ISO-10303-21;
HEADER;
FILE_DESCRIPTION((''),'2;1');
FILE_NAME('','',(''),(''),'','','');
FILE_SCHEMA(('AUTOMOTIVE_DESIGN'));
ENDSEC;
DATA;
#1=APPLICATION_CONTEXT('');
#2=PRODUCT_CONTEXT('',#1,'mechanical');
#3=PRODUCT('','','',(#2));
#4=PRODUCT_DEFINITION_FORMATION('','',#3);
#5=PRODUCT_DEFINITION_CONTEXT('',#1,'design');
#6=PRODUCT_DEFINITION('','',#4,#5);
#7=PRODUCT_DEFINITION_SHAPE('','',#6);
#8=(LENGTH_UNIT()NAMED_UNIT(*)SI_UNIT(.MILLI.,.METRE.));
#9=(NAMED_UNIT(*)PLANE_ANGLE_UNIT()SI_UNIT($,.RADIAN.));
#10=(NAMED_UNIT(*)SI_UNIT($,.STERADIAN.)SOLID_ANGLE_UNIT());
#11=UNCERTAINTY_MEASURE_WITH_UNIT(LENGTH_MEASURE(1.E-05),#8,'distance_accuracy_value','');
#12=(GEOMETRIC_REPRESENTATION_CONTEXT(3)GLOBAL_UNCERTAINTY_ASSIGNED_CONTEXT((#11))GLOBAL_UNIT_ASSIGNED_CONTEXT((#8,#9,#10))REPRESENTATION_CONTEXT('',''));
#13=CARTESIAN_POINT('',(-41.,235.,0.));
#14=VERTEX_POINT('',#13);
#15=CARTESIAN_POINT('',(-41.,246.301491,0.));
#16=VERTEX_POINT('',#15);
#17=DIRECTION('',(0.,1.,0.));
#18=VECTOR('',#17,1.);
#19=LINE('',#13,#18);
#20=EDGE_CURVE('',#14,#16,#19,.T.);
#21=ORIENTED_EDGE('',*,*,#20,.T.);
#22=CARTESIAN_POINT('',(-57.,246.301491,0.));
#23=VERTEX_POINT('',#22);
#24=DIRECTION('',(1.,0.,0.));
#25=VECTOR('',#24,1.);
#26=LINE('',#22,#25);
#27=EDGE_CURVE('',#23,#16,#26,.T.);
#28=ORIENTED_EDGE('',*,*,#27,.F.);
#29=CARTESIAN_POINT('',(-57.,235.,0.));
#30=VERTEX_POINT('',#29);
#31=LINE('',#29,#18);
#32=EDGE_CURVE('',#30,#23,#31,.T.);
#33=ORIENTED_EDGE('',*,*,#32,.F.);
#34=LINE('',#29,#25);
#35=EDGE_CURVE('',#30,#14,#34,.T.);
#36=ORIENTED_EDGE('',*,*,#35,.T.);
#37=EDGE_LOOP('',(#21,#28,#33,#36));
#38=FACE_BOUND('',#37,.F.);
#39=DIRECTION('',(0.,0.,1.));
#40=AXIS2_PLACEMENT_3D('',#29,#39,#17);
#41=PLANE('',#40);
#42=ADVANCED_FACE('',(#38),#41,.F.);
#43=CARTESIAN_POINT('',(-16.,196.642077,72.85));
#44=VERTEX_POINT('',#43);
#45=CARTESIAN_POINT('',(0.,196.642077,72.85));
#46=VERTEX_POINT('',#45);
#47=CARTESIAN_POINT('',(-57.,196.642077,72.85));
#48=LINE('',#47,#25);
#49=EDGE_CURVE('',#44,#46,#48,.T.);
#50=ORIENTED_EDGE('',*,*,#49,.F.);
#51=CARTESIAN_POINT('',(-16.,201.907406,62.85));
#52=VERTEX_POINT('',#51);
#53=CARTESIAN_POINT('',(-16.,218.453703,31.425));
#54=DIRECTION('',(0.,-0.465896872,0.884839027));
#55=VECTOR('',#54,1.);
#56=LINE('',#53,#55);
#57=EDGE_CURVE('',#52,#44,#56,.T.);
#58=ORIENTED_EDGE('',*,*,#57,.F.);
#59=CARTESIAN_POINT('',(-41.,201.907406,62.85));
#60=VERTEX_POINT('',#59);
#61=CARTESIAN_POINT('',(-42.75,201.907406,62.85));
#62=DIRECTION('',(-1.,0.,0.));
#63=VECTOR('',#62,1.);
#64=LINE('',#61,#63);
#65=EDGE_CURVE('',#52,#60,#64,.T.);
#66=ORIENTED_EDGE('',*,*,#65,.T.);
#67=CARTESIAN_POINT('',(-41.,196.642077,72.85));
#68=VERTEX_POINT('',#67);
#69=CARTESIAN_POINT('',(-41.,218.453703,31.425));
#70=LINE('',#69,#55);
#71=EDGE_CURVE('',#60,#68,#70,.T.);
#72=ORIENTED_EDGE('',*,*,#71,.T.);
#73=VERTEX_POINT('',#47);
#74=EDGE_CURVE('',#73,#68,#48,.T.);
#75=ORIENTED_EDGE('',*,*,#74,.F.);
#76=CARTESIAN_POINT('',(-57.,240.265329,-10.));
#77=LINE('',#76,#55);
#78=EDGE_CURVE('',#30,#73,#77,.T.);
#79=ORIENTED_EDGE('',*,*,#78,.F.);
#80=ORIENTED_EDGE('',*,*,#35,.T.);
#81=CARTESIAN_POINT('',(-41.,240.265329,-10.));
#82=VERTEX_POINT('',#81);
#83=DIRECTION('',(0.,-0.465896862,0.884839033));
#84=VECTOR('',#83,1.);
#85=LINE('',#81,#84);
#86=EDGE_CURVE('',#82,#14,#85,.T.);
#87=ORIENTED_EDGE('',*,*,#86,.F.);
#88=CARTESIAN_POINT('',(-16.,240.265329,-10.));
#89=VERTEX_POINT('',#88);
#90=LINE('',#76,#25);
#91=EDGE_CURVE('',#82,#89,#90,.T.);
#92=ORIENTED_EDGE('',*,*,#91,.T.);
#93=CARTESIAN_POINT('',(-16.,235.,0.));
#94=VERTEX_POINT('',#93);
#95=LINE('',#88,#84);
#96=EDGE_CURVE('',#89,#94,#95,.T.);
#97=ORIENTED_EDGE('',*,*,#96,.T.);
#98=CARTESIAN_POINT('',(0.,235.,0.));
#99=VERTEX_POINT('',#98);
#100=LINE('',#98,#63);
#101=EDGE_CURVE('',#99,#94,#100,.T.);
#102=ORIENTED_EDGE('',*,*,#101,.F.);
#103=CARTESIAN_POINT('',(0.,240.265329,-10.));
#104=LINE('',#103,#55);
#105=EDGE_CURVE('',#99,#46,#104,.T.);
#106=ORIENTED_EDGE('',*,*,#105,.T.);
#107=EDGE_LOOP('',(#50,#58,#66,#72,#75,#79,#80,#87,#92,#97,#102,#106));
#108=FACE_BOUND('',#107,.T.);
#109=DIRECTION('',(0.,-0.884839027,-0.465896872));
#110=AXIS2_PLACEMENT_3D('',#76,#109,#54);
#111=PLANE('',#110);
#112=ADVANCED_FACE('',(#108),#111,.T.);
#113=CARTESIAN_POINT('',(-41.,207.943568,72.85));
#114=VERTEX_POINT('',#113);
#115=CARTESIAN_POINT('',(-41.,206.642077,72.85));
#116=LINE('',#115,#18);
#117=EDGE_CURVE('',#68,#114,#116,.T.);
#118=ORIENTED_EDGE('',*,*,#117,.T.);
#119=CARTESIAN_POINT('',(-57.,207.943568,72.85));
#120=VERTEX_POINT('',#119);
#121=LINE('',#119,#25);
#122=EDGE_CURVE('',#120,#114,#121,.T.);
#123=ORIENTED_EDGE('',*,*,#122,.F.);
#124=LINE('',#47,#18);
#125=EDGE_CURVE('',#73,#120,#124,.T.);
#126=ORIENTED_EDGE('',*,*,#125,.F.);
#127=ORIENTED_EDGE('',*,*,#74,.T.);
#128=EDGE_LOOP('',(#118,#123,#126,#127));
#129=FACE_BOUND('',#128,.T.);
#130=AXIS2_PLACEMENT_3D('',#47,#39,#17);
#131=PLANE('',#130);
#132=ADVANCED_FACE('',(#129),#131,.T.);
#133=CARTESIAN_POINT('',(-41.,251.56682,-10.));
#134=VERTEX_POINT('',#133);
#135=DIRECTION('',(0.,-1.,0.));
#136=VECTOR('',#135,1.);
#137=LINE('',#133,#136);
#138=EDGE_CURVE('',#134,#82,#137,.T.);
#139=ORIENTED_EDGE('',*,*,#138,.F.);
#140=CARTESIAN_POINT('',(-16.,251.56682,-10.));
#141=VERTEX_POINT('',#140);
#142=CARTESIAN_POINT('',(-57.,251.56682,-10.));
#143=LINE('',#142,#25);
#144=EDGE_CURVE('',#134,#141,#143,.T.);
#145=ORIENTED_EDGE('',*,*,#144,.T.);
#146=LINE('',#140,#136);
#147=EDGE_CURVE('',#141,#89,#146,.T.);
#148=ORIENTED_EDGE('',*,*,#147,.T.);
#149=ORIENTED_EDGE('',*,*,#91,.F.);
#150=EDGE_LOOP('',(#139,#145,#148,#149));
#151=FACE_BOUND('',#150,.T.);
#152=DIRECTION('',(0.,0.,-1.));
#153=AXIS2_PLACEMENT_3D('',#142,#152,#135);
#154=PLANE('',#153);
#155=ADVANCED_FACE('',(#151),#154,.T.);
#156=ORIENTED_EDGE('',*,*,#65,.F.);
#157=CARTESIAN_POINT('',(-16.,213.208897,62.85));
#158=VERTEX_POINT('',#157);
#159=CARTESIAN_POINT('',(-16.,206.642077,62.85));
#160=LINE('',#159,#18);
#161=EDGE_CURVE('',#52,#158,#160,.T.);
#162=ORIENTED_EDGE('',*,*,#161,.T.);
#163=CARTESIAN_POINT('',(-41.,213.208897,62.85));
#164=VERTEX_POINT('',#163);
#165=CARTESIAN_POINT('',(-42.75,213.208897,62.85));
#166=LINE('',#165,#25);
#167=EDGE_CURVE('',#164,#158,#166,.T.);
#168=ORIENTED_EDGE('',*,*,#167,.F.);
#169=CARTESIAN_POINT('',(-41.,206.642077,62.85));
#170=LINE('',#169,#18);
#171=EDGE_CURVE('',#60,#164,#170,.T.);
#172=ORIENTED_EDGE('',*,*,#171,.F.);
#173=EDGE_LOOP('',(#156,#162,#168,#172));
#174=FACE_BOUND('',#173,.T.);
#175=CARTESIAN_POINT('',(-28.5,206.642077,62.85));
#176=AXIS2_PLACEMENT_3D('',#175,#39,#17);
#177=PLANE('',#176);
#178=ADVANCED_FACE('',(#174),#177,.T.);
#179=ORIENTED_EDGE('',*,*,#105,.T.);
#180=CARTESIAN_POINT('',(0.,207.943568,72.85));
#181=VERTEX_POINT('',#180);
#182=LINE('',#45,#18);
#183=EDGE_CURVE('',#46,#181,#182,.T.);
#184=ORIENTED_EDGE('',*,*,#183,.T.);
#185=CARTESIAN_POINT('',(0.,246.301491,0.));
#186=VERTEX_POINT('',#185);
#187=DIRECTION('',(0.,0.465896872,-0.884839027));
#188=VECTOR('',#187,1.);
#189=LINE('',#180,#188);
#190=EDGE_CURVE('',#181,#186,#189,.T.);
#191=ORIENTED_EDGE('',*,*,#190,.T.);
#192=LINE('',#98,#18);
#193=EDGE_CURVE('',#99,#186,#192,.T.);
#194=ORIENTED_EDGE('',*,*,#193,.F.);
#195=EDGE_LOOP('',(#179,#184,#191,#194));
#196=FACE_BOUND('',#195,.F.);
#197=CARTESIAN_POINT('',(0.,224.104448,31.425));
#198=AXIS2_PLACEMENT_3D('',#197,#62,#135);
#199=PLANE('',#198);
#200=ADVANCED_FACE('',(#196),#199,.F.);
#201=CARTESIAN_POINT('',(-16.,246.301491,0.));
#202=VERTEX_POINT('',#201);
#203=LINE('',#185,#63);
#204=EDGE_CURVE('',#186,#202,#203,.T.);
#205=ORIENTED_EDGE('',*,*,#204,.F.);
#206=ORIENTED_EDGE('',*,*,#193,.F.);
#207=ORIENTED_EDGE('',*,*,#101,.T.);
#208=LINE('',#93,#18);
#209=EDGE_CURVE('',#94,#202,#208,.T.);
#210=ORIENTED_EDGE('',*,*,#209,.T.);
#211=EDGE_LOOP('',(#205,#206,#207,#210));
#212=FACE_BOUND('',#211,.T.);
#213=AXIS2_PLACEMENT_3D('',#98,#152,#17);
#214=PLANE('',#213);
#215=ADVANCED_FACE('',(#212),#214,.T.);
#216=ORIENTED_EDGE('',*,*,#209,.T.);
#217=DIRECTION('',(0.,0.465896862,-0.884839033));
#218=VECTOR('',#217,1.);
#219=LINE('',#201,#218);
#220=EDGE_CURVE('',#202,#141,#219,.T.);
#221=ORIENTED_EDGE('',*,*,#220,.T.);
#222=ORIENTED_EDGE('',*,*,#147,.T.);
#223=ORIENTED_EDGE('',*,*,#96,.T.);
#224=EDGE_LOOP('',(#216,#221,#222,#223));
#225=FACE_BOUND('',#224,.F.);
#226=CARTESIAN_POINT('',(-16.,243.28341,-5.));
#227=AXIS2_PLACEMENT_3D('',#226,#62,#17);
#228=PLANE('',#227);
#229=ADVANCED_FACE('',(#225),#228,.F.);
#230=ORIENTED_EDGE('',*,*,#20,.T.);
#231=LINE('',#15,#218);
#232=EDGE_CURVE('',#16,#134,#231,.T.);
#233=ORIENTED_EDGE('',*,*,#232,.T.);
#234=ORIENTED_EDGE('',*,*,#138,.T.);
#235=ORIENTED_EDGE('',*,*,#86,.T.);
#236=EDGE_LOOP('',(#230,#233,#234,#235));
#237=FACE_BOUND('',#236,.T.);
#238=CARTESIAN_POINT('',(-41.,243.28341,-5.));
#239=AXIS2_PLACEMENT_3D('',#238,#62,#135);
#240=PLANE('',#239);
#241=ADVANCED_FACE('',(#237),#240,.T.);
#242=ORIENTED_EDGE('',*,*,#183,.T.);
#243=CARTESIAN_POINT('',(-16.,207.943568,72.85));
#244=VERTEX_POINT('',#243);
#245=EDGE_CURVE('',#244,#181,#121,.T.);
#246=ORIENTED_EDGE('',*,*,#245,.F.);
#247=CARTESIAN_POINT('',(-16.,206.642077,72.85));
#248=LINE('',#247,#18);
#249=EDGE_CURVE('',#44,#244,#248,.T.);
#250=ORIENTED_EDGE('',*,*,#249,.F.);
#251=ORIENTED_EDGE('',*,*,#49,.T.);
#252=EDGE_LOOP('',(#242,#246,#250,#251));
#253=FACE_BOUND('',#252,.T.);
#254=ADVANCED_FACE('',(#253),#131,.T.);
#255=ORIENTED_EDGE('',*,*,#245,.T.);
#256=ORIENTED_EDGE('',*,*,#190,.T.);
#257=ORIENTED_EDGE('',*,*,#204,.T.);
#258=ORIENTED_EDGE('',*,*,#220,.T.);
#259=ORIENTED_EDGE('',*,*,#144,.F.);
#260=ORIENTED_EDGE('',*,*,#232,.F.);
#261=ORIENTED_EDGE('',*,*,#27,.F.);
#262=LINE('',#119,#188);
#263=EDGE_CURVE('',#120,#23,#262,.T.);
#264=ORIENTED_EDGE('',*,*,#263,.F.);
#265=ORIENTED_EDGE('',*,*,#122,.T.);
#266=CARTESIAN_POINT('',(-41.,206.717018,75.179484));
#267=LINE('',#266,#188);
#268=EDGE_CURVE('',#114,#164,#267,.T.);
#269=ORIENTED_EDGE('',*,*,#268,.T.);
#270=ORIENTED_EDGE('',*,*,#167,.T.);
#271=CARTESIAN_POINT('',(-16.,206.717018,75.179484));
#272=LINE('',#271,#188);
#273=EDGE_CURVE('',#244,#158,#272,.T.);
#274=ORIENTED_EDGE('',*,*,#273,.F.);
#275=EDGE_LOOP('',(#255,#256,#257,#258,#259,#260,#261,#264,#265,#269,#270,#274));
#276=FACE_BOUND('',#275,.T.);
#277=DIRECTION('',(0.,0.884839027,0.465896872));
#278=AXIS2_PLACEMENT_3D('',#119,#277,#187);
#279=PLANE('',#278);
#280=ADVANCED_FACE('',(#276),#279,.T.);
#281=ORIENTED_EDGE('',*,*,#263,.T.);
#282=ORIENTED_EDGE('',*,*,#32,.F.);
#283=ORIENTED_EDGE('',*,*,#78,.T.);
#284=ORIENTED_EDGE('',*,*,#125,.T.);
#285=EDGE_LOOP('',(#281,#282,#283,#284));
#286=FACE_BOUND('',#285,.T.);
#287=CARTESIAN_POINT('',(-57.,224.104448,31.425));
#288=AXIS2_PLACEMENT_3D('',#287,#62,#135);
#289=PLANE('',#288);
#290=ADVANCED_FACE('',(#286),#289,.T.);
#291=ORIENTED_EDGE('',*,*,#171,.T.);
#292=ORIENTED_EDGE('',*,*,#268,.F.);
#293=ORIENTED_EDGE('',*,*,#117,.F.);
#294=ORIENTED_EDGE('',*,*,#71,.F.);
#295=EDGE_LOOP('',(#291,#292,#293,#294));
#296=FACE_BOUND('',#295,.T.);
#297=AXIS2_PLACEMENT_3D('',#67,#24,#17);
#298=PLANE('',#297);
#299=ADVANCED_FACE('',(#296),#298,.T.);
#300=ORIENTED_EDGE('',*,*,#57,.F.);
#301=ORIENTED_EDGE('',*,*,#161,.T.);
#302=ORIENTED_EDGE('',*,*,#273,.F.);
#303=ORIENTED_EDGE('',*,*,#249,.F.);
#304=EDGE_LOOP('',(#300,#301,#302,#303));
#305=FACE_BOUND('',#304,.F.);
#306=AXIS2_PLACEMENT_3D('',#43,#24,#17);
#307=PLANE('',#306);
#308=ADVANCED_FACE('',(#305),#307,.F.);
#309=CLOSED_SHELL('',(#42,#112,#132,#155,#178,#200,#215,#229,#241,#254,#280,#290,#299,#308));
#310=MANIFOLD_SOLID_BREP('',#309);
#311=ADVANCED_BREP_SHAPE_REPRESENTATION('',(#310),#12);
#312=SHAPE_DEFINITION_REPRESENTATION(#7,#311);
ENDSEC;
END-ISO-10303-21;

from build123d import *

# Parameters (mm, degrees)
PAD050_DEPTH            = 57
POCKET044_DEPTH         = 16
POCKET046_DEPTH         = 16
SKETCH090_W             = 20
SKETCH090_H             = 25
POCKET045_DEPTH         = 10
BODY022_PLACEMENT_ANGLE = 180


with BuildPart() as part:
    # Sketch092 → Pad050 (new body)
    with BuildSketch(Plane.YZ):
        Polygon((54.734671, -10), (98.357923, 72.85), (87.056432, 72.85), (43.43318, -10), align=None)
    extrude(amount=-PAD050_DEPTH)

    # Sketch089 (on Face5 of Pad050) → Pocket044 (cut)
    with BuildSketch(Plane.YZ):
        Polygon((43.43318, -10), (54.734671, -10), (60, 0), (48.698509, 0), align=None)
    extrude(amount=-POCKET044_DEPTH, mode=Mode.SUBTRACT)

    # Sketch094 (on Face6 of Pocket044) → Pocket046 (cut)
    with BuildSketch(Plane(origin=(-57, 0, 0), x_dir=(0, 1, 0), z_dir=(-1, 0, 0))):
        Polygon((43.43318, 10), (54.734671, 10), (60, 0), (48.698509, 0), align=None)
    extrude(amount=-POCKET046_DEPTH, mode=Mode.SUBTRACT)

    # Sketch090 (on Face5 of Pocket046) → Pocket045 (cut)
    with BuildSketch(Plane(origin=(0, 0, 72.85), x_dir=(0, -1, 0), z_dir=(0, 0, 1))):
        with Locations((-88.357923, -28.5)):
            Rectangle(SKETCH090_W, SKETCH090_H)
    extrude(amount=-POCKET045_DEPTH, mode=Mode.SUBTRACT)


with BuildPart() as part_1:
    # Body022 placement: moved
    add(part.part.moved(Location((-57, 295, 0))).rotate(Axis((-57, 295, 0), (0, 0, 1)), BODY022_PLACEMENT_ANGLE))


solid = part_1.part
